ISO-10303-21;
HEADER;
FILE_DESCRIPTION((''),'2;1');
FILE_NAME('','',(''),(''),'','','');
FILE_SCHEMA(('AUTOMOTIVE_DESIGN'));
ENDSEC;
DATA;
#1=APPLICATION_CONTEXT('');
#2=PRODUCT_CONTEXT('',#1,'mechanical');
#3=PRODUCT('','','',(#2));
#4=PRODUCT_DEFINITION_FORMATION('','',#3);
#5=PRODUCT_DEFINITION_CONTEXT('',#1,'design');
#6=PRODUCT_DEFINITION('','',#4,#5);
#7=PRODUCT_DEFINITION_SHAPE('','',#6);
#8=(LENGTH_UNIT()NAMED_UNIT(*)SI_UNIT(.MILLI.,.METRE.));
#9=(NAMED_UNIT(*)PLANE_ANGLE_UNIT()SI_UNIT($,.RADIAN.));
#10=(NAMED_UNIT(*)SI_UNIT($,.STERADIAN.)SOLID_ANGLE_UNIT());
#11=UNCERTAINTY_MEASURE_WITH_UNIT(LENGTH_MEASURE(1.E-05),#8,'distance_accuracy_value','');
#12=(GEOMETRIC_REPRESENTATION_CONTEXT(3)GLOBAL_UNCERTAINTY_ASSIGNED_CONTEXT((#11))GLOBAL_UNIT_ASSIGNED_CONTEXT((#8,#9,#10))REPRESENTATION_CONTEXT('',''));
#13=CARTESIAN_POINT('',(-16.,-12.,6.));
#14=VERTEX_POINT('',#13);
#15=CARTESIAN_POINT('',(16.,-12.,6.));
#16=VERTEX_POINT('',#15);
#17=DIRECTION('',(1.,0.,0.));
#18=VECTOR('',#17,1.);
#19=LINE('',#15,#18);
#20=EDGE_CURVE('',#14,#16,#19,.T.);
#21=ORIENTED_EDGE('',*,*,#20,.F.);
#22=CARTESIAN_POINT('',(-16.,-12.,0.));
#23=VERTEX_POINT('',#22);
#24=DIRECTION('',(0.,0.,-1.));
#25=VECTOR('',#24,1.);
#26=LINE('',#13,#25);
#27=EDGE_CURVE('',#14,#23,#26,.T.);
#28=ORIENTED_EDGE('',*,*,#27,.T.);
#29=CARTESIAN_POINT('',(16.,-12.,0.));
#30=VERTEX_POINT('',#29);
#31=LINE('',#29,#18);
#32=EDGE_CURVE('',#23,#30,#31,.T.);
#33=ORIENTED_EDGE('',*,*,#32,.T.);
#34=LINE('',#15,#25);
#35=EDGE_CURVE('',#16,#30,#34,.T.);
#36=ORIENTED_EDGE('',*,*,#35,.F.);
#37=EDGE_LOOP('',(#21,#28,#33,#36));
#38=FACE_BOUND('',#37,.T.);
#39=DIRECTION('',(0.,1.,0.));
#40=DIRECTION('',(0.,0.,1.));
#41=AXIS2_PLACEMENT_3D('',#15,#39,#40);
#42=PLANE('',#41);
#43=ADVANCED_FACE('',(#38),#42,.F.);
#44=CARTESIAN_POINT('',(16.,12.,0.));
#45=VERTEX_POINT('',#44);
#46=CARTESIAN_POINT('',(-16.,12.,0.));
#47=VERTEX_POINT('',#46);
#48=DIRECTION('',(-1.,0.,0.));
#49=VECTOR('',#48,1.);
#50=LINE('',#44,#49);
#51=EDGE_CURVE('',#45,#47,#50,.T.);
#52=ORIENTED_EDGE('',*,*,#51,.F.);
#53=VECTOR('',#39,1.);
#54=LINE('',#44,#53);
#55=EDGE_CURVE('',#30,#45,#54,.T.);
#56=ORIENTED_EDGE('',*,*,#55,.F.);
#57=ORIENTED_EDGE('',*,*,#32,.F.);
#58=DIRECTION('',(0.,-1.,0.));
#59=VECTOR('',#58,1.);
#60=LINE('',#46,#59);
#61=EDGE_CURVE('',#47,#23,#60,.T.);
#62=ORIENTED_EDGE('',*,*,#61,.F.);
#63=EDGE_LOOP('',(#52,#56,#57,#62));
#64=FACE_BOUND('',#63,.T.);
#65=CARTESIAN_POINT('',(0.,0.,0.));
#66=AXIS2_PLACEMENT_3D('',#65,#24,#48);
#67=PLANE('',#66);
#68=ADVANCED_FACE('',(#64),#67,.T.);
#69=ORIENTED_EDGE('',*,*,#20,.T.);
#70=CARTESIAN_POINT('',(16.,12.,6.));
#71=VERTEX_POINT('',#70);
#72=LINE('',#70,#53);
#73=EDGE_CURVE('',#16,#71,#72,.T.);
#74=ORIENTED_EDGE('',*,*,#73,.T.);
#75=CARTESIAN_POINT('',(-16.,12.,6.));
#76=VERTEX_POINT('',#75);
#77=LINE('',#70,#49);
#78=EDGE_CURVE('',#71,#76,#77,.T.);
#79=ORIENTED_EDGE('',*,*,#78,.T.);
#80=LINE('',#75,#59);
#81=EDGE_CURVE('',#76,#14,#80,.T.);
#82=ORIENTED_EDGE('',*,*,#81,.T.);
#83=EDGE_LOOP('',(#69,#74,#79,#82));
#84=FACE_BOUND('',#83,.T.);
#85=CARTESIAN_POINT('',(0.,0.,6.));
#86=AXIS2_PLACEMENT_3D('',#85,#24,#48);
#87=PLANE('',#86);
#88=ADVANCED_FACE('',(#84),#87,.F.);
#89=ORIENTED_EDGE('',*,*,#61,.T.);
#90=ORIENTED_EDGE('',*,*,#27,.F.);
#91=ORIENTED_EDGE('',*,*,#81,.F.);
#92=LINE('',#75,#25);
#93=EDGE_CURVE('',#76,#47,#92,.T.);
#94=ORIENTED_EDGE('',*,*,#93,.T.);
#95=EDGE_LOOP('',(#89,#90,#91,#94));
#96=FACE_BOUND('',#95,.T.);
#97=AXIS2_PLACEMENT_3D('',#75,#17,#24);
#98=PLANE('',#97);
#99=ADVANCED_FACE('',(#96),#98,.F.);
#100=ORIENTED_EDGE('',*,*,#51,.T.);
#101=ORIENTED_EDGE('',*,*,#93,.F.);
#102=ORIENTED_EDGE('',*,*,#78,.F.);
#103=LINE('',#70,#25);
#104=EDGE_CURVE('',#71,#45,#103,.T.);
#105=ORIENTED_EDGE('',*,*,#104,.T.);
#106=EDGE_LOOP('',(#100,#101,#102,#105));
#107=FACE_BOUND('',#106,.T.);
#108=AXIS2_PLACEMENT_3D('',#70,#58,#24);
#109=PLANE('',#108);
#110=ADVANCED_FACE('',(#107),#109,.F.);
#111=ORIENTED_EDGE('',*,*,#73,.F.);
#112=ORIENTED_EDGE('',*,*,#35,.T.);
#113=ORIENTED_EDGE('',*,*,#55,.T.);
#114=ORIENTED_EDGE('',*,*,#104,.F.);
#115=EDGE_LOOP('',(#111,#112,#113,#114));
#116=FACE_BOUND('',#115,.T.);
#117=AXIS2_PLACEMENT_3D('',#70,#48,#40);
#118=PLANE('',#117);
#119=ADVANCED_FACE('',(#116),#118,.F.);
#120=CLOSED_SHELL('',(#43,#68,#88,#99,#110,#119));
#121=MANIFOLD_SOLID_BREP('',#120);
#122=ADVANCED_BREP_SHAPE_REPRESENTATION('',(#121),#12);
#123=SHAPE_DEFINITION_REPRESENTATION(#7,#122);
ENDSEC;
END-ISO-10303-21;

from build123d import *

# Parameters (mm, degrees)
SKETCH1_W           = 32
SKETCH1_H           = 24
BOSS_EXTRUDE1_DEPTH = 6


with BuildPart() as part:
    # Sketch1 → Boss-Extrude1 (new body)
    with BuildSketch(Plane.XY):
        Rectangle(SKETCH1_W, SKETCH1_H)
    extrude(amount=BOSS_EXTRUDE1_DEPTH)


solid = part.part
